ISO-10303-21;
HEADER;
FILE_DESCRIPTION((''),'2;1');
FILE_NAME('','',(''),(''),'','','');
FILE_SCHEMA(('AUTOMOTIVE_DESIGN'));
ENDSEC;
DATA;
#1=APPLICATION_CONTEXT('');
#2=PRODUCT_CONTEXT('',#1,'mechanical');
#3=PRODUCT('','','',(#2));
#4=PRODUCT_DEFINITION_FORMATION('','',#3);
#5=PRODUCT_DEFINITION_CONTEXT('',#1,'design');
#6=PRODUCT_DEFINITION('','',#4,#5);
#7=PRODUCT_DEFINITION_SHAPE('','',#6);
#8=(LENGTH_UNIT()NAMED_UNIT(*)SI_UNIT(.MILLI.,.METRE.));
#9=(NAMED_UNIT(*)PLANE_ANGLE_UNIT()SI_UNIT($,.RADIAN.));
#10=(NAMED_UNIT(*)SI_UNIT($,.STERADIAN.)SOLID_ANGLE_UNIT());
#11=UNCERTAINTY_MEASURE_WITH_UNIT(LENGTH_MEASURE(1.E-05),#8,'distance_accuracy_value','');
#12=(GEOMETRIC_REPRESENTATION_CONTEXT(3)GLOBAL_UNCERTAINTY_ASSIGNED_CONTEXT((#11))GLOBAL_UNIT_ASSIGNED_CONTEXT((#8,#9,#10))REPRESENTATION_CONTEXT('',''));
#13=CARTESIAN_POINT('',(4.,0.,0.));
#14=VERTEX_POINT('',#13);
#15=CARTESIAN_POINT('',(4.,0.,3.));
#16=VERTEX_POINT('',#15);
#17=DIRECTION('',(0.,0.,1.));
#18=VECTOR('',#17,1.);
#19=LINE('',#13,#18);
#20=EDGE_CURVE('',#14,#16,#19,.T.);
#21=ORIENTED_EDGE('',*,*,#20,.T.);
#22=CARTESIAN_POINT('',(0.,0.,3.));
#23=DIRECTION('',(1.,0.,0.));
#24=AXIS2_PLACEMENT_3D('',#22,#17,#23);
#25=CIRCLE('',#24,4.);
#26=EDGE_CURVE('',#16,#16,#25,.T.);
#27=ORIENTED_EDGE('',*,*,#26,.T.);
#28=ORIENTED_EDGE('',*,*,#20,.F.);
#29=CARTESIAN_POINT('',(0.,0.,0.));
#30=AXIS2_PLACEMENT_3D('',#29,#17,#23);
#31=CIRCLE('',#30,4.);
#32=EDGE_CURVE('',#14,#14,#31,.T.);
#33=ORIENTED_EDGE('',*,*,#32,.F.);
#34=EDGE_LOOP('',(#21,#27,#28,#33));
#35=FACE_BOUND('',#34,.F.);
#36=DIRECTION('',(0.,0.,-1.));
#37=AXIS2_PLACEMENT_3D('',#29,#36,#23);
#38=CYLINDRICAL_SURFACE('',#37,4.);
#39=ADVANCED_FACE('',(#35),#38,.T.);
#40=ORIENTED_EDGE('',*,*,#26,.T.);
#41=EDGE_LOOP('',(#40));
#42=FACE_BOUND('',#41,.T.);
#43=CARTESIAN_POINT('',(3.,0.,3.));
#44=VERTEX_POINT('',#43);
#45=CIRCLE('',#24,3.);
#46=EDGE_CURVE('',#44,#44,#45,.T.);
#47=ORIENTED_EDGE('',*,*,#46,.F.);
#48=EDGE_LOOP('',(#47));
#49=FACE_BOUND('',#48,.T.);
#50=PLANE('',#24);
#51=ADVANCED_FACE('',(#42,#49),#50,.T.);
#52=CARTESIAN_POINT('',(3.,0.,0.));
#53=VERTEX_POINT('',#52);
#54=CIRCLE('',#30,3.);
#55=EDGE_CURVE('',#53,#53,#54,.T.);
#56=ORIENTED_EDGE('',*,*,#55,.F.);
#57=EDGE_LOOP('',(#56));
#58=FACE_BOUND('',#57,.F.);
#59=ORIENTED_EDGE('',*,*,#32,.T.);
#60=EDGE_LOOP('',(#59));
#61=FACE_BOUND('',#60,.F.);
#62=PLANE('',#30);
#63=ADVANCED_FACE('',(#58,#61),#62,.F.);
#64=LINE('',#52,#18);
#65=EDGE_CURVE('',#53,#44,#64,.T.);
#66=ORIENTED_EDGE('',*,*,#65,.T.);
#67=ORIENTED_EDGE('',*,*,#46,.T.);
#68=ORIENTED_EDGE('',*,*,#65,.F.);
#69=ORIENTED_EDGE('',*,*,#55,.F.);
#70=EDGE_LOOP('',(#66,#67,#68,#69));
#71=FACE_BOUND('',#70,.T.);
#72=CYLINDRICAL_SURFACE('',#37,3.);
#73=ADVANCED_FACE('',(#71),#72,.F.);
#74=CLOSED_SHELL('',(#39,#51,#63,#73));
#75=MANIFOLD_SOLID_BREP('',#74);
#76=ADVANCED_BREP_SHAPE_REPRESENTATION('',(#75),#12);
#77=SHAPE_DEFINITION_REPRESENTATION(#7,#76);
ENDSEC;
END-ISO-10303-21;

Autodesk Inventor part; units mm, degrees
ref_plane "YZ Plane" through (0, 0, 0) normal (1, 0, 0) x (0, 1, 0)
ref_plane "XZ Plane" through (0, 0, 0) normal (0, 1, 0) x (-1, 0, 0)
ref_plane "XY Plane" through (0, 0, 0) normal (0, 0, 1) x (1, 0, 0)
sketch "スケッチ1" plane through (0, 0, 0) normal (0, 0, 1) x (1, 0, 0)
  circle A0 centre (0, 0) radius 4
  circle A1 centre (0, 0) radius 3
  dimension "d0" = 8
  dimension "d1" = 6
extrude "押し出し1" add sketch "スケッチ1" along normal blind 3
properties part number "オイレス　6-8" material "アセタール樹脂、黒"
